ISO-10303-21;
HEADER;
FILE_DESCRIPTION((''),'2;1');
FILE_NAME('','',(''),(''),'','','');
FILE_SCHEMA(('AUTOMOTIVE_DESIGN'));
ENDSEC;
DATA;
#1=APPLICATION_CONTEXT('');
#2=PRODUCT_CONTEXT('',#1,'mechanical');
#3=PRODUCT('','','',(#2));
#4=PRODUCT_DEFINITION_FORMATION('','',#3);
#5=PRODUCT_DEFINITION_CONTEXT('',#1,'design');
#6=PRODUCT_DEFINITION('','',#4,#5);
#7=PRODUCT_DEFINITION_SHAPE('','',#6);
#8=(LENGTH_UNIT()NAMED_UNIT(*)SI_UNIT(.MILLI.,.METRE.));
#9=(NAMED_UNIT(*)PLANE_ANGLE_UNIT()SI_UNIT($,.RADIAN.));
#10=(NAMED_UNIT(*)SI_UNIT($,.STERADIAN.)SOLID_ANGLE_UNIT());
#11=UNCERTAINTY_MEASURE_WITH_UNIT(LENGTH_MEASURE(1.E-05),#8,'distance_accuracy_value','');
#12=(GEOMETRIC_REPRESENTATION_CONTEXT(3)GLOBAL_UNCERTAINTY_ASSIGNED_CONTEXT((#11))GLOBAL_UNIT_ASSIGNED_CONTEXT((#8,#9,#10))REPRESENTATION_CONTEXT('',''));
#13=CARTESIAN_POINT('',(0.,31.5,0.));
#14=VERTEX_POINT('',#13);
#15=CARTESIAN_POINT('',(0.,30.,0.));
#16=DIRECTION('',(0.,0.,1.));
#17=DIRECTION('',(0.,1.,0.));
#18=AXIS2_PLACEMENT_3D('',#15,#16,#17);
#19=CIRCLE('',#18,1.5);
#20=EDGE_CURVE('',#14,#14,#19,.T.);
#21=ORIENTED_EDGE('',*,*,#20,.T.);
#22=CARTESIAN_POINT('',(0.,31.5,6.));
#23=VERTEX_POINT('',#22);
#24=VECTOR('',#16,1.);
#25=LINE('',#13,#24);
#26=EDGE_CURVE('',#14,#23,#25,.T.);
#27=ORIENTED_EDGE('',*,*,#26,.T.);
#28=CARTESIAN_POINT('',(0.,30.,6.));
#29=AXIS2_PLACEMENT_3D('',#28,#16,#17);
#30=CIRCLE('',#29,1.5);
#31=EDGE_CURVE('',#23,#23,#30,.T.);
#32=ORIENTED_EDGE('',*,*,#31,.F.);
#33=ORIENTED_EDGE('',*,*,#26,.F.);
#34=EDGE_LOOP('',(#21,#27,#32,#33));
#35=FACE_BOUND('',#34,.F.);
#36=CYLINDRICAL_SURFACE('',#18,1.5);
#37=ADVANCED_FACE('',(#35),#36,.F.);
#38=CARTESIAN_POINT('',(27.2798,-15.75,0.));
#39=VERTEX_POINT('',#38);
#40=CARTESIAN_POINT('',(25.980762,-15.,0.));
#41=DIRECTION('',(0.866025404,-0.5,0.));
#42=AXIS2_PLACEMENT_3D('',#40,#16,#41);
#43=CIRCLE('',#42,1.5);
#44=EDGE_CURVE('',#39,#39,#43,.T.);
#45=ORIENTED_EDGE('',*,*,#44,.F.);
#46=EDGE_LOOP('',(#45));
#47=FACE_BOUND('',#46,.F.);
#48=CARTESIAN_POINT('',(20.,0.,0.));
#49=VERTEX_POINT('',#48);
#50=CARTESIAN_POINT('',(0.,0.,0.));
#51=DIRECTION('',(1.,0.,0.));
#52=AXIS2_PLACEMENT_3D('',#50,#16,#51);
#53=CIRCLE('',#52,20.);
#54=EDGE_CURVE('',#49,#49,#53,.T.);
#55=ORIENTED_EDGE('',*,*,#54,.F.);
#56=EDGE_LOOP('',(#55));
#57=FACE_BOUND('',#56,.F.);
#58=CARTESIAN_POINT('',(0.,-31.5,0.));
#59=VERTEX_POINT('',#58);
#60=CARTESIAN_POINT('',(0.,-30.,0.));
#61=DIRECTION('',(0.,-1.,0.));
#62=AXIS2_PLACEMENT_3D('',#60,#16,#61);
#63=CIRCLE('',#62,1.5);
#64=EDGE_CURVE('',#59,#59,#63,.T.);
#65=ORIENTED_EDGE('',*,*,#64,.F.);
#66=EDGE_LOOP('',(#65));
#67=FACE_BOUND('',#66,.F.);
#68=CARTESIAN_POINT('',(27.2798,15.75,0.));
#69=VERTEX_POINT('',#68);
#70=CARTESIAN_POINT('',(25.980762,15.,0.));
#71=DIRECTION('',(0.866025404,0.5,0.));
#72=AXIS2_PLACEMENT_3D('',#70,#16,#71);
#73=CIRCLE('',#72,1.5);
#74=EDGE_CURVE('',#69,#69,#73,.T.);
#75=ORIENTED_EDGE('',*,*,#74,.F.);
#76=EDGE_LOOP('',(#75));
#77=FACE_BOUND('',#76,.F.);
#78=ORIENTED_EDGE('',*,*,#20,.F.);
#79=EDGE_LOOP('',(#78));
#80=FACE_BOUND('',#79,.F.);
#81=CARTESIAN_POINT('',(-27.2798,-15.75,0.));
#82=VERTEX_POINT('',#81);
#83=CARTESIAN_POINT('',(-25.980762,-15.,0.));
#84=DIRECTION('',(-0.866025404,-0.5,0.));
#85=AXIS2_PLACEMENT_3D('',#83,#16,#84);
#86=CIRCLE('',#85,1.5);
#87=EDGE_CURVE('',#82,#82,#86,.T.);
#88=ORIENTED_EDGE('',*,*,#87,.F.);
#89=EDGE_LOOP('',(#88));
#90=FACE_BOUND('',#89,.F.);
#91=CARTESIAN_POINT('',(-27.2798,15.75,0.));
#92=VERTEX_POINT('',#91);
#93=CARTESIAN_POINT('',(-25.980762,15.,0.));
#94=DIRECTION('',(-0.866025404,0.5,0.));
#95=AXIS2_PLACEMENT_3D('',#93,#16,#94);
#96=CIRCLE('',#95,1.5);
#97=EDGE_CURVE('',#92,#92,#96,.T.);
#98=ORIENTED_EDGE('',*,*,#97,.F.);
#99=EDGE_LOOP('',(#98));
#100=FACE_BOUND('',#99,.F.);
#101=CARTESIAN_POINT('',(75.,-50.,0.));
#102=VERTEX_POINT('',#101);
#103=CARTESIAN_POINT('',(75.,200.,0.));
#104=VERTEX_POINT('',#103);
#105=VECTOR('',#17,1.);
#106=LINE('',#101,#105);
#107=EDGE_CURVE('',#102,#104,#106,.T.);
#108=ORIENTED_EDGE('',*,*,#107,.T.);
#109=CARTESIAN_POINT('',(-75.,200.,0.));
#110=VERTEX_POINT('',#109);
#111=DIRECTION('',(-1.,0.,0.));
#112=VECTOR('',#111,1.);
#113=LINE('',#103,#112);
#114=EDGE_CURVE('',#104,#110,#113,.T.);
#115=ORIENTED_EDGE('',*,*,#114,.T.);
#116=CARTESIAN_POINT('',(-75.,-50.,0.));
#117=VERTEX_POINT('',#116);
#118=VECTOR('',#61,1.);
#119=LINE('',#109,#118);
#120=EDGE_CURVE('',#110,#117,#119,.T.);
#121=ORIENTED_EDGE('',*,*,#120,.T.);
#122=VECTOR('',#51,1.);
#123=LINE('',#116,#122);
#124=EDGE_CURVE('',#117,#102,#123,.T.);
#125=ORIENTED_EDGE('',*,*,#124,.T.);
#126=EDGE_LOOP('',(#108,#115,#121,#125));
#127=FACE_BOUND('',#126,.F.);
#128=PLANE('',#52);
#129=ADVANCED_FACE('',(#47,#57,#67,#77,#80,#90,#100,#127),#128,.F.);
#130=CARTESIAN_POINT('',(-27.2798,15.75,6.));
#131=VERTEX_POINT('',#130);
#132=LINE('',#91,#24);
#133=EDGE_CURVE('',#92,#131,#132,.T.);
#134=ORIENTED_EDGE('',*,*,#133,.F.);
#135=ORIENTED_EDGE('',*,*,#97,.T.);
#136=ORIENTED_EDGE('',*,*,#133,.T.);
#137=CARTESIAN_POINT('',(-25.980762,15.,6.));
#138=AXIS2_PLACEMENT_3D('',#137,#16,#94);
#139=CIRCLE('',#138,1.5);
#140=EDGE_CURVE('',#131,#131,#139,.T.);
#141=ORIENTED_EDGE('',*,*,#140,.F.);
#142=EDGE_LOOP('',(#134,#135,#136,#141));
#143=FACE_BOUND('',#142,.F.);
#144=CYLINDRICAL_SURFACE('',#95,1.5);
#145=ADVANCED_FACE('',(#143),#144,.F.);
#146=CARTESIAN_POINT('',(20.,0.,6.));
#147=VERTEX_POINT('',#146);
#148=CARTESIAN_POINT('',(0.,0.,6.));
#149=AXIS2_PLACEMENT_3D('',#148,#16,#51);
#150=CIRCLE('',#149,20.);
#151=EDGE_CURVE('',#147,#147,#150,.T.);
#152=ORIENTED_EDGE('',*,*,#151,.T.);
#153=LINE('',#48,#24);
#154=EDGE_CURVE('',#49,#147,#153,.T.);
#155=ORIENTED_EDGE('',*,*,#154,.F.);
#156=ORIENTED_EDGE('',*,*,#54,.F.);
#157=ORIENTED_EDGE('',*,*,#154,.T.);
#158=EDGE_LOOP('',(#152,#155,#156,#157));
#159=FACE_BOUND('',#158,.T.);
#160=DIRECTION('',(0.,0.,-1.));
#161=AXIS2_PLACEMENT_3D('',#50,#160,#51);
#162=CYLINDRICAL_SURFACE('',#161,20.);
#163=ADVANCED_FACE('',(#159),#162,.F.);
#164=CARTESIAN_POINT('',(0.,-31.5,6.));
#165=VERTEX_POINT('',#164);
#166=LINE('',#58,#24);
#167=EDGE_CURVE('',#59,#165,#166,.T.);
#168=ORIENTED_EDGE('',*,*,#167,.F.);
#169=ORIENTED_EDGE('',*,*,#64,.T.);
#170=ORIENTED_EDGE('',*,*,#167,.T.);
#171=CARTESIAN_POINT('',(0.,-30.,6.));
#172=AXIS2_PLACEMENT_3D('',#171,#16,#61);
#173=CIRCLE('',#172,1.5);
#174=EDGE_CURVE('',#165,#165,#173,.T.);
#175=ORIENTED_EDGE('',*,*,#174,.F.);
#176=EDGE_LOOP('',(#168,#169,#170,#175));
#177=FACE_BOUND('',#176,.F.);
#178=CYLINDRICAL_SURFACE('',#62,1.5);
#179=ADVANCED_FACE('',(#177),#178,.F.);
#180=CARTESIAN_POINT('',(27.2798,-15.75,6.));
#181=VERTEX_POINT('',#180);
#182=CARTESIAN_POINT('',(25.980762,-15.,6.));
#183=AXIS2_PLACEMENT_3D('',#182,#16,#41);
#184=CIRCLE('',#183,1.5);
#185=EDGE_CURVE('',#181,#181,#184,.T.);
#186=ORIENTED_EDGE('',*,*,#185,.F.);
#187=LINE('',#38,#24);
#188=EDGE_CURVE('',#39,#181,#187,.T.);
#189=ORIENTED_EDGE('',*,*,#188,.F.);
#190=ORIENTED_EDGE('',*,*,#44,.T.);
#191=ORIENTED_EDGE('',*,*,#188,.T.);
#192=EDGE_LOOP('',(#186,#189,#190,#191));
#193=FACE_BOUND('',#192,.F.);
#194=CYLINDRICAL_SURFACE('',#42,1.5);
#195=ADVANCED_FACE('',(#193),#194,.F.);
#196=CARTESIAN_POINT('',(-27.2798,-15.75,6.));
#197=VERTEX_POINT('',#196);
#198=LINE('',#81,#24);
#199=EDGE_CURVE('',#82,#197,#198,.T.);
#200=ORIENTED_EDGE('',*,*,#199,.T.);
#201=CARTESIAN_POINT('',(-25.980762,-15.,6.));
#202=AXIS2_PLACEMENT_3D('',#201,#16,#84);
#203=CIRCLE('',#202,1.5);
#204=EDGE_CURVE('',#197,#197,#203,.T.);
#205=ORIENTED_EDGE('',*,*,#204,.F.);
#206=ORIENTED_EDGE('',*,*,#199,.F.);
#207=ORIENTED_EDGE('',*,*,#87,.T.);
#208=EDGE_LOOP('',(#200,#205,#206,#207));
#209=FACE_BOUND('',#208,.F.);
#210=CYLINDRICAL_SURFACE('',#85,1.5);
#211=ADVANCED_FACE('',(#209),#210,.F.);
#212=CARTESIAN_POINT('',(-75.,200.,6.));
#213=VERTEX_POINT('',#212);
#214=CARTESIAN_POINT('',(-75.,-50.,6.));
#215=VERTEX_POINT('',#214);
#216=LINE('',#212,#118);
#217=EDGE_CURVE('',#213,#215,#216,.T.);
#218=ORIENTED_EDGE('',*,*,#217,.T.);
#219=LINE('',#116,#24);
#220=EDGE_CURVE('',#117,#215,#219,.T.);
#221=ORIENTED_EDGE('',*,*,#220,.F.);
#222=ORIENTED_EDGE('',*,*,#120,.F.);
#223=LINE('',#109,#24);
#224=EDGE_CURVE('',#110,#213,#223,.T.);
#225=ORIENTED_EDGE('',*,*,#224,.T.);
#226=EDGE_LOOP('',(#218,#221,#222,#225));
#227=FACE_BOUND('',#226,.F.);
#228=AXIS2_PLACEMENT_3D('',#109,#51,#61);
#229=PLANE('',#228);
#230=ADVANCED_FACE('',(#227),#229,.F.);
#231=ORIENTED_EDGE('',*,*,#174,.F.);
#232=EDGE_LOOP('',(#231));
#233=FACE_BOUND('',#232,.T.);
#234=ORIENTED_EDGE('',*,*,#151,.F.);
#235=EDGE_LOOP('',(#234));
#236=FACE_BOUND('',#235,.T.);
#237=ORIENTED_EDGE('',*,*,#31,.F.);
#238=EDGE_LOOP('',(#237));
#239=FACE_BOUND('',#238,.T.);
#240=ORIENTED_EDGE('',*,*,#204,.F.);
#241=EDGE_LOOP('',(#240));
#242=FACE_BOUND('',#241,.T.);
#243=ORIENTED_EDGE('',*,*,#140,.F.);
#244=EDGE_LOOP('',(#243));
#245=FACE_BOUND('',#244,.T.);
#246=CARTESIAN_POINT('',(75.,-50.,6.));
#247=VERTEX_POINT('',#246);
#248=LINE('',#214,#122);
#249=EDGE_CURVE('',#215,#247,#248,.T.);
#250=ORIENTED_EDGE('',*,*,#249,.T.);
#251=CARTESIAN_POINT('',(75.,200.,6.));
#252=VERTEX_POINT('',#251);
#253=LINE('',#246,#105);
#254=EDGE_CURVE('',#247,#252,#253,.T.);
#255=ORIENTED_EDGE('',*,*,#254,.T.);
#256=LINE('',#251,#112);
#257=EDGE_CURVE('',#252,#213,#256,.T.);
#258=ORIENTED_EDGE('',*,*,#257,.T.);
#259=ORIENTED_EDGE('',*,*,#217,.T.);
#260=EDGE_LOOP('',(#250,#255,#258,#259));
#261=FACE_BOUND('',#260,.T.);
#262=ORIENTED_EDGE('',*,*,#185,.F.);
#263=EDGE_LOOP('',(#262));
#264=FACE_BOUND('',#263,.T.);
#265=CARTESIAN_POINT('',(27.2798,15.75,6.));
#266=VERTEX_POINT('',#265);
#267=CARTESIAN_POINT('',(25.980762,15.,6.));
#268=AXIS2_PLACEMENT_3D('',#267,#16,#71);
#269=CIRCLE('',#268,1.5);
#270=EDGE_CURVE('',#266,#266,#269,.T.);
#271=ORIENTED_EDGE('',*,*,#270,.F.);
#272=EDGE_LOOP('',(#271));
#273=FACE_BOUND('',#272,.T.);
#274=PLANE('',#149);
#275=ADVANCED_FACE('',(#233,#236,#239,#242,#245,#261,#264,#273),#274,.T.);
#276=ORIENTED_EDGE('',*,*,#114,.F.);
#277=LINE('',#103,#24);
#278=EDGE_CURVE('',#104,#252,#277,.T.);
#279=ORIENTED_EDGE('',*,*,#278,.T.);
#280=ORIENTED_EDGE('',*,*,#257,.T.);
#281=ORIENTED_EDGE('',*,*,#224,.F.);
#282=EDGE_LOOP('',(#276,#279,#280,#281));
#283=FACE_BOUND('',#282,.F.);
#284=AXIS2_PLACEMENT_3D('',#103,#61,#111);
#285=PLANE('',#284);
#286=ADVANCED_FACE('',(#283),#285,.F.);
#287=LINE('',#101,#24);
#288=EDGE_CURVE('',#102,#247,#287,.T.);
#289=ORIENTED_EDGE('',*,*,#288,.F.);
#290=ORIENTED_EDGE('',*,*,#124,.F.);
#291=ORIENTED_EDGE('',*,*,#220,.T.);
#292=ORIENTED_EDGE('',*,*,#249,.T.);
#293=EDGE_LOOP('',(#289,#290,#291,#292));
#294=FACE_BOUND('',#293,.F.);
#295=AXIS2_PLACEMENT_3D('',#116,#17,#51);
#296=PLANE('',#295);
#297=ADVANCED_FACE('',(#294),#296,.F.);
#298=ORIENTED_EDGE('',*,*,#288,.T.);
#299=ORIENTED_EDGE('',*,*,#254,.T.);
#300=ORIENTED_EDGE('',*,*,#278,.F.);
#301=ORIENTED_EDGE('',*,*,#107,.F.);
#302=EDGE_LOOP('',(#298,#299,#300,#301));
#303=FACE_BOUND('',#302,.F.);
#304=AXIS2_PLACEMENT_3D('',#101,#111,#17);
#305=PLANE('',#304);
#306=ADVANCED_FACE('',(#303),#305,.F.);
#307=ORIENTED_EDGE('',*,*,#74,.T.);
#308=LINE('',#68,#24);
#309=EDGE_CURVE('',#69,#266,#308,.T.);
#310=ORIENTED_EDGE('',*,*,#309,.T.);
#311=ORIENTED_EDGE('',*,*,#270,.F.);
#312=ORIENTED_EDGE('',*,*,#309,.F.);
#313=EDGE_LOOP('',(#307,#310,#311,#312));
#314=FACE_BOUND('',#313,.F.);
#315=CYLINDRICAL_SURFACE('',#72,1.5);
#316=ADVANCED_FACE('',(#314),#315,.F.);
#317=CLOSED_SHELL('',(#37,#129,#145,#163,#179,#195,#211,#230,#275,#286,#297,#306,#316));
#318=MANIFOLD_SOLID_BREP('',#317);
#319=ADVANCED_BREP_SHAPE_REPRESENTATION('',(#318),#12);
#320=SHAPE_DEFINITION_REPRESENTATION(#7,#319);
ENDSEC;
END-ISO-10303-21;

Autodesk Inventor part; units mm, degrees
ref_plane "YZ Plane" through (0, 0, 0) normal (1, 0, 0) x (0, 1, 0)
ref_plane "XZ Plane" through (0, 0, 0) normal (0, 1, 0) x (-1, 0, 0)
ref_plane "XY Plane" through (0, 0, 0) normal (0, 0, 1) x (1, 0, 0)
sketch "Sketch1" plane through (0, 0, 0) normal (0, 0, 1) x (1, 0, 0)
  line L0 (-75, -50) -> (75, -50)
  line L1 (75, -50) -> (75, 200)
  line L2 (75, 200) -> (-75, 200)
  line L3 (-75, 200) -> (-75, -50)
  circle A0 centre (0, 0) radius 20
  line L4 (0, 0) -> (0, 30) construction
  dimension "d0" = 150
  dimension "d1" = 250
  dimension "d2" = 40
  dimension "d16" = 30
  dimension "d17" = 50
extrude "Extrusion1" add sketch "Sketch1" along normal blind 6
hole "Hole1" at (0, 30, 0) direction (0, 0, 1) diameter 3 end through all
pattern_circular "Circular Pattern1" count 6 over 360 about axis through (0, 0, 0) along (0, 0, 1) of "Hole1"
properties part number "base_plate" material "Plywood, Finish"
